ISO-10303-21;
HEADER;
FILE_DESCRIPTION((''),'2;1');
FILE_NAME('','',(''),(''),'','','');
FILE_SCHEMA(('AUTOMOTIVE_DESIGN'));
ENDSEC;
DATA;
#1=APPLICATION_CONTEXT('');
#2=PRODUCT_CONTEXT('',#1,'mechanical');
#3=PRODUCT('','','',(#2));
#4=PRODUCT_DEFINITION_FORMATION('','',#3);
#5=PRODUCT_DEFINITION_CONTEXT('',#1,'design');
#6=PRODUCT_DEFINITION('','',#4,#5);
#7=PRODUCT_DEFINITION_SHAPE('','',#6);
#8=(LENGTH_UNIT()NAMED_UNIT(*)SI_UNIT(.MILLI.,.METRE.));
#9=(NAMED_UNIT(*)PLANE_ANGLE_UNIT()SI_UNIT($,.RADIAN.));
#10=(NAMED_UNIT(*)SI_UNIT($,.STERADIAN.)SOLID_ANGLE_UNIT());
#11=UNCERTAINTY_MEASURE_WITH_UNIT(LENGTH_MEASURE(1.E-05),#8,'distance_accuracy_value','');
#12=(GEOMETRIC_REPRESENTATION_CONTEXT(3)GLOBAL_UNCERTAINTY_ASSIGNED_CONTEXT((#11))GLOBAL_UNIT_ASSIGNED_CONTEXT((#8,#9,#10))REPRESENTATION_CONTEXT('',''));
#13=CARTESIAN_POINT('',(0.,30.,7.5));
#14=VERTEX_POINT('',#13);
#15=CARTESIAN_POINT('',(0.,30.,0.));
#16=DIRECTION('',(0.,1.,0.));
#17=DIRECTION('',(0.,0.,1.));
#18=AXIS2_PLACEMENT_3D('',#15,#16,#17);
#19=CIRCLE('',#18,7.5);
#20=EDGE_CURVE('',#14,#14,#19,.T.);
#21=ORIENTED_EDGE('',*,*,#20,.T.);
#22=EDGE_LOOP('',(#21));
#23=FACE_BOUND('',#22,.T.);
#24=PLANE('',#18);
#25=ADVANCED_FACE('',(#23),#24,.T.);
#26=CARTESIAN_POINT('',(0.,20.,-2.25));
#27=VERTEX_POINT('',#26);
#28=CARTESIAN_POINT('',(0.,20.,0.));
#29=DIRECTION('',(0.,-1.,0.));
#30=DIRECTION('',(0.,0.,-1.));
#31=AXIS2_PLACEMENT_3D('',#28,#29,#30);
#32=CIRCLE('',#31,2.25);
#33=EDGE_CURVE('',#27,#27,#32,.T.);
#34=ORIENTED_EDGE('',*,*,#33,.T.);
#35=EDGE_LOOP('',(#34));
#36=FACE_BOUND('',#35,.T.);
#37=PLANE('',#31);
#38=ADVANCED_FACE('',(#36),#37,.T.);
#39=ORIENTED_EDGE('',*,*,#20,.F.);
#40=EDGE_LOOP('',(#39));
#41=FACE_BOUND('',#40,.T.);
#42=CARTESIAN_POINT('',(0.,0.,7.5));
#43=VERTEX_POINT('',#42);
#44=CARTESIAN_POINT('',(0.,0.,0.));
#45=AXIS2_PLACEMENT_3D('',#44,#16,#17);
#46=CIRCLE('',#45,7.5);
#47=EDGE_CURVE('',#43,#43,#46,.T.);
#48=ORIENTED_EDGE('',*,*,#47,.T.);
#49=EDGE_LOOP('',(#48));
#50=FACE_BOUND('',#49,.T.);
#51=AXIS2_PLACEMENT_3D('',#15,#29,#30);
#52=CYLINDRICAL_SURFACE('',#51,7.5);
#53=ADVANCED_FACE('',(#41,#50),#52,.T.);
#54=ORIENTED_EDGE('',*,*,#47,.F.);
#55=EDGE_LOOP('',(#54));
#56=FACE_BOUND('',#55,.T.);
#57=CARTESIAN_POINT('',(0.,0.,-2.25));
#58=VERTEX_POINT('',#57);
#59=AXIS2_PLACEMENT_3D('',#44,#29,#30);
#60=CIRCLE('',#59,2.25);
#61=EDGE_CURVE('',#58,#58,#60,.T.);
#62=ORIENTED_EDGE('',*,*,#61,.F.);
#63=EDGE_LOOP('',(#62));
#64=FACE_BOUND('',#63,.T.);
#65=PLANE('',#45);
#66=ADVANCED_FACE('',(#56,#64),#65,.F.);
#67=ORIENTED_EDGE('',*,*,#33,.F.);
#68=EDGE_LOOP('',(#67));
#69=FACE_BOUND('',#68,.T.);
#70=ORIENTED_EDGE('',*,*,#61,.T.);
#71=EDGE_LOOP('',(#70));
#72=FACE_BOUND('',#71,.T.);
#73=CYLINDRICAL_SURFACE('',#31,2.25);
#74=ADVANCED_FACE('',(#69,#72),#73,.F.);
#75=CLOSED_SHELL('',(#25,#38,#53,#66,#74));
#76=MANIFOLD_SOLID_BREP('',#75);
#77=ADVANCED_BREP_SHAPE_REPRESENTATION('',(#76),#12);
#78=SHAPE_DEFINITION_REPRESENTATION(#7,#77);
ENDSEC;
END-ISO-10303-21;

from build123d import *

# Parameters (mm, degrees)
SKETCH_1_R          = 7.5
EXTRUDE_1_DEPTH     = 30
SKETCH_2_R          = 2.25
CUT_EXTRUDE_1_DEPTH = 20


with BuildPart() as part:
    # 草图1 → 凸台-拉伸1 (new body)
    with BuildSketch(Plane(origin=(0, 0, 0), x_dir=(1, 0, 0), z_dir=(0, 1, 0))):
        with Locations(Location((0, 0, 0), (0, 0, 270))):
            Circle(SKETCH_1_R)
    extrude(amount=EXTRUDE_1_DEPTH)

    # 草图2 → 切除-拉伸1 (cut)
    with BuildSketch(Plane.XZ):
        with Locations(Location((0, 0, 0), (0, 0, 270))):
            Circle(SKETCH_2_R)
    extrude(amount=-CUT_EXTRUDE_1_DEPTH, mode=Mode.SUBTRACT)


solid = part.part
